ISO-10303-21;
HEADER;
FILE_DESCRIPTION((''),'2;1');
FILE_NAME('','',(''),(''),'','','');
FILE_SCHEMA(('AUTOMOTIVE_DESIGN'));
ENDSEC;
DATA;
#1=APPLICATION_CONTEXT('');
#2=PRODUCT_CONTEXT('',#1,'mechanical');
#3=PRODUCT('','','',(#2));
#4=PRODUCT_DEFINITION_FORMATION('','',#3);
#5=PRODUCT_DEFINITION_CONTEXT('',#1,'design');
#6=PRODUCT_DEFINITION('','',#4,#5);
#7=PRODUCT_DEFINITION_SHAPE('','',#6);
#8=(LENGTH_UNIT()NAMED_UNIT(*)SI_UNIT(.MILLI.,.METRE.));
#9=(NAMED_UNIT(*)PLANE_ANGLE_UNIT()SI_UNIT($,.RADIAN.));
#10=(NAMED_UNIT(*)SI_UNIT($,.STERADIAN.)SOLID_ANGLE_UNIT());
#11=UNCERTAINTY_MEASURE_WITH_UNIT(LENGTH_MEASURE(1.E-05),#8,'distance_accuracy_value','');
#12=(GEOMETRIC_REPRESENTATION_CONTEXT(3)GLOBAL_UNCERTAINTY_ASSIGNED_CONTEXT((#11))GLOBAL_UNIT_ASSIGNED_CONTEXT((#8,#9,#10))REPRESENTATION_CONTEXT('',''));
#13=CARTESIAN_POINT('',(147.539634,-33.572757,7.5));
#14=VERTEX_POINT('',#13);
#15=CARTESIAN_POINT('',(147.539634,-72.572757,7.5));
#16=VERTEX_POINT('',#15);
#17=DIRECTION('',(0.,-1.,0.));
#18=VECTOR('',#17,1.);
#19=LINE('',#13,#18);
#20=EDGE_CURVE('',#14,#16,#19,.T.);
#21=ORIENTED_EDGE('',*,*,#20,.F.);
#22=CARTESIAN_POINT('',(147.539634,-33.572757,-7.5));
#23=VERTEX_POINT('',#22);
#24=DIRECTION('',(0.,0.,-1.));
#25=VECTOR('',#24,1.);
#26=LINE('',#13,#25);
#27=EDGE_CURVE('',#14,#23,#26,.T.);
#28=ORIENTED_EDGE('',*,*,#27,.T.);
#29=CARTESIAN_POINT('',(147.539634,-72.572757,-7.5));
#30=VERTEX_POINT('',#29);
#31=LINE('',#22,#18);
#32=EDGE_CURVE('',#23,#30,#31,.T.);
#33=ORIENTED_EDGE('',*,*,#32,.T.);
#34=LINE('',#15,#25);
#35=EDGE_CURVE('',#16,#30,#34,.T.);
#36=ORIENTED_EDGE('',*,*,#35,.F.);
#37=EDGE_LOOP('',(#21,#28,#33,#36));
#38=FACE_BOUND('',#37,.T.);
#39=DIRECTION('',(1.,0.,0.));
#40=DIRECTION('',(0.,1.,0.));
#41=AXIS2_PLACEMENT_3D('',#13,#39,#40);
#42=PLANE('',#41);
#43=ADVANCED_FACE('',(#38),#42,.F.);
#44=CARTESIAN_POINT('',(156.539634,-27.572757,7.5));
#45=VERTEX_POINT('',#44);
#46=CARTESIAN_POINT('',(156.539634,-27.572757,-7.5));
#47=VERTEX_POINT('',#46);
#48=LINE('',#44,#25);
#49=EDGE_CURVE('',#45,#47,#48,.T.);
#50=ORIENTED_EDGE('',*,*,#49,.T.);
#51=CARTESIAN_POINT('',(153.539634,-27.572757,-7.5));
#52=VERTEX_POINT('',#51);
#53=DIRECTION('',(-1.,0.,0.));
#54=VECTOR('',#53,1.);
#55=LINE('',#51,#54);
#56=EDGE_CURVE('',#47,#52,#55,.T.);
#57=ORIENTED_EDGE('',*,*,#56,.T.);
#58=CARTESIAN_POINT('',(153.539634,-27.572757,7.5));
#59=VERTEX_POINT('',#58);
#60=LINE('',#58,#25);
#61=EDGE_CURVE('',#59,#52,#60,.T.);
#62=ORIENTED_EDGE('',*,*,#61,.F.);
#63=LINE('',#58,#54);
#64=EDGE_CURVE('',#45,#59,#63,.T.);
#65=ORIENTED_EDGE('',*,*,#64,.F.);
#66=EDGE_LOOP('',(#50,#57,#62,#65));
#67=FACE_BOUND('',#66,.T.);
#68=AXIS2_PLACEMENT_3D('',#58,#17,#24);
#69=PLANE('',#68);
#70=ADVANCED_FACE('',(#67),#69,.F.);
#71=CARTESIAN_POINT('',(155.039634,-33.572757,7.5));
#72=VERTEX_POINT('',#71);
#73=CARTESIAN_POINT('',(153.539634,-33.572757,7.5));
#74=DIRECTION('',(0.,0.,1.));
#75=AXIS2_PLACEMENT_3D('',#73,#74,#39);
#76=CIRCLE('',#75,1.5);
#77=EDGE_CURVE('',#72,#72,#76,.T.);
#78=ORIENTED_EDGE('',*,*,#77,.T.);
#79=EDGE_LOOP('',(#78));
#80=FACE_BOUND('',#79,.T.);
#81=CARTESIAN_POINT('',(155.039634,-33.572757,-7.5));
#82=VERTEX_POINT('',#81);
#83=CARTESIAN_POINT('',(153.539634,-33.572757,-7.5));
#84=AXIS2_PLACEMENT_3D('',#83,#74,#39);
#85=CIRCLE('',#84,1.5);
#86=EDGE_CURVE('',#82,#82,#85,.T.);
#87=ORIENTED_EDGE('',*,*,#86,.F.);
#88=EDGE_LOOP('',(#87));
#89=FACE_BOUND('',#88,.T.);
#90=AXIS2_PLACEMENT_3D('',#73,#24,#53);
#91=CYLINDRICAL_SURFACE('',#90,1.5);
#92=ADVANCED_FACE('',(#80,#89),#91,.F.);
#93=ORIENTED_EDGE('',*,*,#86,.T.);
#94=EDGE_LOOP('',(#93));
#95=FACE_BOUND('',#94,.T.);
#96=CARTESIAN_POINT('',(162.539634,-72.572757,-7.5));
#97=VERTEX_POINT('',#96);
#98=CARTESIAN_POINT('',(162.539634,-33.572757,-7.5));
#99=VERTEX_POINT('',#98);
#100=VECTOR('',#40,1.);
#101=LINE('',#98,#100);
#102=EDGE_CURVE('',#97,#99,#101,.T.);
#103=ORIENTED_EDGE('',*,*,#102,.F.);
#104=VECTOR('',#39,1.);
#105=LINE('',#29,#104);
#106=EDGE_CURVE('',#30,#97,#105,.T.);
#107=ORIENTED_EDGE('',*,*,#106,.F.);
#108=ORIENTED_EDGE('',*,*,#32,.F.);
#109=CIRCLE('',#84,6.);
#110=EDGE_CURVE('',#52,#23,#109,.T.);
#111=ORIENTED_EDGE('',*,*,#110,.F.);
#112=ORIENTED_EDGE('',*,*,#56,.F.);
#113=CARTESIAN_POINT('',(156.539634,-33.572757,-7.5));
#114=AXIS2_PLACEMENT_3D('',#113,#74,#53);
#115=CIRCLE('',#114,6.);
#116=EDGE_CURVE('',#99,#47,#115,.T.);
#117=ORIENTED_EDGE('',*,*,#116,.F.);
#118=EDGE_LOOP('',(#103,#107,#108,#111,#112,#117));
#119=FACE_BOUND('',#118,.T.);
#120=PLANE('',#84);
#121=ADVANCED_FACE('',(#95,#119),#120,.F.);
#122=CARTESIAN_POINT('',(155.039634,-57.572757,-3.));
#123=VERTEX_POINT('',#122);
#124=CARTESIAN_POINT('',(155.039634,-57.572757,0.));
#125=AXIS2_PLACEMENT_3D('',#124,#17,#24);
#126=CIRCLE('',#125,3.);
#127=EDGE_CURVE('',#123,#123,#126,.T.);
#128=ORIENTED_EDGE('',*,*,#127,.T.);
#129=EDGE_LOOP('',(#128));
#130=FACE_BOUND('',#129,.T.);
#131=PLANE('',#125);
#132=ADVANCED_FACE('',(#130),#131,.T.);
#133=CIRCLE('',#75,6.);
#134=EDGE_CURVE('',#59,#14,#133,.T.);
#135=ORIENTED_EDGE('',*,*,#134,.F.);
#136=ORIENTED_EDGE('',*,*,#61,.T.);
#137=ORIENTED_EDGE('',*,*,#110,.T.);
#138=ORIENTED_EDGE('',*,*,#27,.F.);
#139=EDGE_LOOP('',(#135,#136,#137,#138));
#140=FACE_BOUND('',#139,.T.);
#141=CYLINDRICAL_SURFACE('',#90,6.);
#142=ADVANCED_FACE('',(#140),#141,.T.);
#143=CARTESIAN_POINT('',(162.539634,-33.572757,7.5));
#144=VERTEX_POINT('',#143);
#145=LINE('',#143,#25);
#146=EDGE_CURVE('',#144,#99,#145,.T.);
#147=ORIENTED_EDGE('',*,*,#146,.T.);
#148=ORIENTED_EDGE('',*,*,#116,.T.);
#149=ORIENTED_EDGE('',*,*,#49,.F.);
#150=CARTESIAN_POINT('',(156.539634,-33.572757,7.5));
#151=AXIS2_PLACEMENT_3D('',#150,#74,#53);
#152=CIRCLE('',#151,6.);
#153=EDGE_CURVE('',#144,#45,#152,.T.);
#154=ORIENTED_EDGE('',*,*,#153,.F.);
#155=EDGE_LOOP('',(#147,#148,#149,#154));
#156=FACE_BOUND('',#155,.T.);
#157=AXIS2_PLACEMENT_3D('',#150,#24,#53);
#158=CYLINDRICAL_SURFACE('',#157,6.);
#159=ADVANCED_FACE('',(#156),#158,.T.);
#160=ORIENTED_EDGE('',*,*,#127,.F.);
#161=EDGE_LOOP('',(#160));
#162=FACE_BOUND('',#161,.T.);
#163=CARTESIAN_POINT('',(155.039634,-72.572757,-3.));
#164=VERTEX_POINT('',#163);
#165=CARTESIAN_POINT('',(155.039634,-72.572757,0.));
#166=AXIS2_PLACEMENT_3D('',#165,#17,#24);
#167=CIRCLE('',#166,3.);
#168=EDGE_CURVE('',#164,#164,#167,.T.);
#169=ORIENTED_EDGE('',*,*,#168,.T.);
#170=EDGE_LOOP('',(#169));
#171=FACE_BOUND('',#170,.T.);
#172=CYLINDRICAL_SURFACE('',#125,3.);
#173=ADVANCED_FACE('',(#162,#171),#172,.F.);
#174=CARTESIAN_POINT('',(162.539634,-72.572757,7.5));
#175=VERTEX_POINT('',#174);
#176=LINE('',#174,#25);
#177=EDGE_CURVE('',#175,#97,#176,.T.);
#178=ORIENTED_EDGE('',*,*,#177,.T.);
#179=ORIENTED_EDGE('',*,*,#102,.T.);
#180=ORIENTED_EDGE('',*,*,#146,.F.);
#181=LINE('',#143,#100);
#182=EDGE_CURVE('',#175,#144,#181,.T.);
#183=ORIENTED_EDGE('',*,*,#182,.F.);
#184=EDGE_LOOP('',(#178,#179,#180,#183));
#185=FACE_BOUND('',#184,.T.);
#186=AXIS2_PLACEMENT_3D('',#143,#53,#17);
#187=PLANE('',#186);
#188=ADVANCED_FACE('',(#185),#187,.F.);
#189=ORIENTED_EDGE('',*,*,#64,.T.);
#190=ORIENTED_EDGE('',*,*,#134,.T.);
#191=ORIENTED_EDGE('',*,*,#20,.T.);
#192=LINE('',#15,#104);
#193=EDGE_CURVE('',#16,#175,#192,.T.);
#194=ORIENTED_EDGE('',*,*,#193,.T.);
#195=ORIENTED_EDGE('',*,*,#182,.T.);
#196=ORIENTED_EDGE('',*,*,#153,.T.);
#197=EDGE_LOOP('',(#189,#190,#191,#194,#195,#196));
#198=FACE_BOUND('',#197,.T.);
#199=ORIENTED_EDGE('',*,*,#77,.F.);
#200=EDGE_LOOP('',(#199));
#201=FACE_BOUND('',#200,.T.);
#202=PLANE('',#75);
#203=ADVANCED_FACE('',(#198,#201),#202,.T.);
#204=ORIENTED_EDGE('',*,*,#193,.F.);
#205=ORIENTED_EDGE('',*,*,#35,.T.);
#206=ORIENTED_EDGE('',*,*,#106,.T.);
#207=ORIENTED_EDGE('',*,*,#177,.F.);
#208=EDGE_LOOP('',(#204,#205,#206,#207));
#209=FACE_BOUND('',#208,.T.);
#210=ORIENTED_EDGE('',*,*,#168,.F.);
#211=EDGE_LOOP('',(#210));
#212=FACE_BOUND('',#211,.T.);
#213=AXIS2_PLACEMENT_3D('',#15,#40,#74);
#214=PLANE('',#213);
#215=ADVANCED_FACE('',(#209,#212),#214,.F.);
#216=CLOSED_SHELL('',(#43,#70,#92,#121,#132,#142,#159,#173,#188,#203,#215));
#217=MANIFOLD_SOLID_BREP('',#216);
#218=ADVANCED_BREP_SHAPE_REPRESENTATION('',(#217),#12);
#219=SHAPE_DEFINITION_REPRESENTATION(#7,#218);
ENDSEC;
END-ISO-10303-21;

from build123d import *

# Parameters (mm, degrees)
SKETCH1_R           = 5
BOSS_EXTRUDE1_DEPTH = 25
SKETCH2_R           = 10
CUT_EXTRUDE1_DEPTH  = 50
SCALE1_SCALE        = 0.3


with BuildPart() as part:
    # Sketch1 → Boss-Extrude1 (new body, symmetric)
    with BuildSketch(Plane.XY):
        with BuildLine():
            Line((150, 25), (160, 25))
            ThreePointArc((160, 25), (174.142135624, 19.142135624), (180, 5))
            Line((180, 5), (180, -125))
            Line((180, -125), (130, -125))
            Line((130, -125), (130, 5))
            ThreePointArc((130, 5), (135.857864376, 19.142135624), (150, 25))
        make_face()
        with Locations((150, 5)):
            Circle(SKETCH1_R, mode=Mode.SUBTRACT)
    extrude(amount=BOSS_EXTRUDE1_DEPTH, both=True)

    # Sketch2 → Cut-Extrude1 (cut)
    with BuildSketch(Plane.XZ.offset(125)):
        with Locations((155, 0)):
            Circle(SKETCH2_R)
    extrude(amount=-CUT_EXTRUDE1_DEPTH, mode=Mode.SUBTRACT)


with BuildPart() as part_1:
    # Scale1: scaled about (155.056620621, -50.103937956, 0)
    add(part.part.scale(SCALE1_SCALE).moved(Location((108.539634435, -35.072756569, 0))))


solid = part_1.part
